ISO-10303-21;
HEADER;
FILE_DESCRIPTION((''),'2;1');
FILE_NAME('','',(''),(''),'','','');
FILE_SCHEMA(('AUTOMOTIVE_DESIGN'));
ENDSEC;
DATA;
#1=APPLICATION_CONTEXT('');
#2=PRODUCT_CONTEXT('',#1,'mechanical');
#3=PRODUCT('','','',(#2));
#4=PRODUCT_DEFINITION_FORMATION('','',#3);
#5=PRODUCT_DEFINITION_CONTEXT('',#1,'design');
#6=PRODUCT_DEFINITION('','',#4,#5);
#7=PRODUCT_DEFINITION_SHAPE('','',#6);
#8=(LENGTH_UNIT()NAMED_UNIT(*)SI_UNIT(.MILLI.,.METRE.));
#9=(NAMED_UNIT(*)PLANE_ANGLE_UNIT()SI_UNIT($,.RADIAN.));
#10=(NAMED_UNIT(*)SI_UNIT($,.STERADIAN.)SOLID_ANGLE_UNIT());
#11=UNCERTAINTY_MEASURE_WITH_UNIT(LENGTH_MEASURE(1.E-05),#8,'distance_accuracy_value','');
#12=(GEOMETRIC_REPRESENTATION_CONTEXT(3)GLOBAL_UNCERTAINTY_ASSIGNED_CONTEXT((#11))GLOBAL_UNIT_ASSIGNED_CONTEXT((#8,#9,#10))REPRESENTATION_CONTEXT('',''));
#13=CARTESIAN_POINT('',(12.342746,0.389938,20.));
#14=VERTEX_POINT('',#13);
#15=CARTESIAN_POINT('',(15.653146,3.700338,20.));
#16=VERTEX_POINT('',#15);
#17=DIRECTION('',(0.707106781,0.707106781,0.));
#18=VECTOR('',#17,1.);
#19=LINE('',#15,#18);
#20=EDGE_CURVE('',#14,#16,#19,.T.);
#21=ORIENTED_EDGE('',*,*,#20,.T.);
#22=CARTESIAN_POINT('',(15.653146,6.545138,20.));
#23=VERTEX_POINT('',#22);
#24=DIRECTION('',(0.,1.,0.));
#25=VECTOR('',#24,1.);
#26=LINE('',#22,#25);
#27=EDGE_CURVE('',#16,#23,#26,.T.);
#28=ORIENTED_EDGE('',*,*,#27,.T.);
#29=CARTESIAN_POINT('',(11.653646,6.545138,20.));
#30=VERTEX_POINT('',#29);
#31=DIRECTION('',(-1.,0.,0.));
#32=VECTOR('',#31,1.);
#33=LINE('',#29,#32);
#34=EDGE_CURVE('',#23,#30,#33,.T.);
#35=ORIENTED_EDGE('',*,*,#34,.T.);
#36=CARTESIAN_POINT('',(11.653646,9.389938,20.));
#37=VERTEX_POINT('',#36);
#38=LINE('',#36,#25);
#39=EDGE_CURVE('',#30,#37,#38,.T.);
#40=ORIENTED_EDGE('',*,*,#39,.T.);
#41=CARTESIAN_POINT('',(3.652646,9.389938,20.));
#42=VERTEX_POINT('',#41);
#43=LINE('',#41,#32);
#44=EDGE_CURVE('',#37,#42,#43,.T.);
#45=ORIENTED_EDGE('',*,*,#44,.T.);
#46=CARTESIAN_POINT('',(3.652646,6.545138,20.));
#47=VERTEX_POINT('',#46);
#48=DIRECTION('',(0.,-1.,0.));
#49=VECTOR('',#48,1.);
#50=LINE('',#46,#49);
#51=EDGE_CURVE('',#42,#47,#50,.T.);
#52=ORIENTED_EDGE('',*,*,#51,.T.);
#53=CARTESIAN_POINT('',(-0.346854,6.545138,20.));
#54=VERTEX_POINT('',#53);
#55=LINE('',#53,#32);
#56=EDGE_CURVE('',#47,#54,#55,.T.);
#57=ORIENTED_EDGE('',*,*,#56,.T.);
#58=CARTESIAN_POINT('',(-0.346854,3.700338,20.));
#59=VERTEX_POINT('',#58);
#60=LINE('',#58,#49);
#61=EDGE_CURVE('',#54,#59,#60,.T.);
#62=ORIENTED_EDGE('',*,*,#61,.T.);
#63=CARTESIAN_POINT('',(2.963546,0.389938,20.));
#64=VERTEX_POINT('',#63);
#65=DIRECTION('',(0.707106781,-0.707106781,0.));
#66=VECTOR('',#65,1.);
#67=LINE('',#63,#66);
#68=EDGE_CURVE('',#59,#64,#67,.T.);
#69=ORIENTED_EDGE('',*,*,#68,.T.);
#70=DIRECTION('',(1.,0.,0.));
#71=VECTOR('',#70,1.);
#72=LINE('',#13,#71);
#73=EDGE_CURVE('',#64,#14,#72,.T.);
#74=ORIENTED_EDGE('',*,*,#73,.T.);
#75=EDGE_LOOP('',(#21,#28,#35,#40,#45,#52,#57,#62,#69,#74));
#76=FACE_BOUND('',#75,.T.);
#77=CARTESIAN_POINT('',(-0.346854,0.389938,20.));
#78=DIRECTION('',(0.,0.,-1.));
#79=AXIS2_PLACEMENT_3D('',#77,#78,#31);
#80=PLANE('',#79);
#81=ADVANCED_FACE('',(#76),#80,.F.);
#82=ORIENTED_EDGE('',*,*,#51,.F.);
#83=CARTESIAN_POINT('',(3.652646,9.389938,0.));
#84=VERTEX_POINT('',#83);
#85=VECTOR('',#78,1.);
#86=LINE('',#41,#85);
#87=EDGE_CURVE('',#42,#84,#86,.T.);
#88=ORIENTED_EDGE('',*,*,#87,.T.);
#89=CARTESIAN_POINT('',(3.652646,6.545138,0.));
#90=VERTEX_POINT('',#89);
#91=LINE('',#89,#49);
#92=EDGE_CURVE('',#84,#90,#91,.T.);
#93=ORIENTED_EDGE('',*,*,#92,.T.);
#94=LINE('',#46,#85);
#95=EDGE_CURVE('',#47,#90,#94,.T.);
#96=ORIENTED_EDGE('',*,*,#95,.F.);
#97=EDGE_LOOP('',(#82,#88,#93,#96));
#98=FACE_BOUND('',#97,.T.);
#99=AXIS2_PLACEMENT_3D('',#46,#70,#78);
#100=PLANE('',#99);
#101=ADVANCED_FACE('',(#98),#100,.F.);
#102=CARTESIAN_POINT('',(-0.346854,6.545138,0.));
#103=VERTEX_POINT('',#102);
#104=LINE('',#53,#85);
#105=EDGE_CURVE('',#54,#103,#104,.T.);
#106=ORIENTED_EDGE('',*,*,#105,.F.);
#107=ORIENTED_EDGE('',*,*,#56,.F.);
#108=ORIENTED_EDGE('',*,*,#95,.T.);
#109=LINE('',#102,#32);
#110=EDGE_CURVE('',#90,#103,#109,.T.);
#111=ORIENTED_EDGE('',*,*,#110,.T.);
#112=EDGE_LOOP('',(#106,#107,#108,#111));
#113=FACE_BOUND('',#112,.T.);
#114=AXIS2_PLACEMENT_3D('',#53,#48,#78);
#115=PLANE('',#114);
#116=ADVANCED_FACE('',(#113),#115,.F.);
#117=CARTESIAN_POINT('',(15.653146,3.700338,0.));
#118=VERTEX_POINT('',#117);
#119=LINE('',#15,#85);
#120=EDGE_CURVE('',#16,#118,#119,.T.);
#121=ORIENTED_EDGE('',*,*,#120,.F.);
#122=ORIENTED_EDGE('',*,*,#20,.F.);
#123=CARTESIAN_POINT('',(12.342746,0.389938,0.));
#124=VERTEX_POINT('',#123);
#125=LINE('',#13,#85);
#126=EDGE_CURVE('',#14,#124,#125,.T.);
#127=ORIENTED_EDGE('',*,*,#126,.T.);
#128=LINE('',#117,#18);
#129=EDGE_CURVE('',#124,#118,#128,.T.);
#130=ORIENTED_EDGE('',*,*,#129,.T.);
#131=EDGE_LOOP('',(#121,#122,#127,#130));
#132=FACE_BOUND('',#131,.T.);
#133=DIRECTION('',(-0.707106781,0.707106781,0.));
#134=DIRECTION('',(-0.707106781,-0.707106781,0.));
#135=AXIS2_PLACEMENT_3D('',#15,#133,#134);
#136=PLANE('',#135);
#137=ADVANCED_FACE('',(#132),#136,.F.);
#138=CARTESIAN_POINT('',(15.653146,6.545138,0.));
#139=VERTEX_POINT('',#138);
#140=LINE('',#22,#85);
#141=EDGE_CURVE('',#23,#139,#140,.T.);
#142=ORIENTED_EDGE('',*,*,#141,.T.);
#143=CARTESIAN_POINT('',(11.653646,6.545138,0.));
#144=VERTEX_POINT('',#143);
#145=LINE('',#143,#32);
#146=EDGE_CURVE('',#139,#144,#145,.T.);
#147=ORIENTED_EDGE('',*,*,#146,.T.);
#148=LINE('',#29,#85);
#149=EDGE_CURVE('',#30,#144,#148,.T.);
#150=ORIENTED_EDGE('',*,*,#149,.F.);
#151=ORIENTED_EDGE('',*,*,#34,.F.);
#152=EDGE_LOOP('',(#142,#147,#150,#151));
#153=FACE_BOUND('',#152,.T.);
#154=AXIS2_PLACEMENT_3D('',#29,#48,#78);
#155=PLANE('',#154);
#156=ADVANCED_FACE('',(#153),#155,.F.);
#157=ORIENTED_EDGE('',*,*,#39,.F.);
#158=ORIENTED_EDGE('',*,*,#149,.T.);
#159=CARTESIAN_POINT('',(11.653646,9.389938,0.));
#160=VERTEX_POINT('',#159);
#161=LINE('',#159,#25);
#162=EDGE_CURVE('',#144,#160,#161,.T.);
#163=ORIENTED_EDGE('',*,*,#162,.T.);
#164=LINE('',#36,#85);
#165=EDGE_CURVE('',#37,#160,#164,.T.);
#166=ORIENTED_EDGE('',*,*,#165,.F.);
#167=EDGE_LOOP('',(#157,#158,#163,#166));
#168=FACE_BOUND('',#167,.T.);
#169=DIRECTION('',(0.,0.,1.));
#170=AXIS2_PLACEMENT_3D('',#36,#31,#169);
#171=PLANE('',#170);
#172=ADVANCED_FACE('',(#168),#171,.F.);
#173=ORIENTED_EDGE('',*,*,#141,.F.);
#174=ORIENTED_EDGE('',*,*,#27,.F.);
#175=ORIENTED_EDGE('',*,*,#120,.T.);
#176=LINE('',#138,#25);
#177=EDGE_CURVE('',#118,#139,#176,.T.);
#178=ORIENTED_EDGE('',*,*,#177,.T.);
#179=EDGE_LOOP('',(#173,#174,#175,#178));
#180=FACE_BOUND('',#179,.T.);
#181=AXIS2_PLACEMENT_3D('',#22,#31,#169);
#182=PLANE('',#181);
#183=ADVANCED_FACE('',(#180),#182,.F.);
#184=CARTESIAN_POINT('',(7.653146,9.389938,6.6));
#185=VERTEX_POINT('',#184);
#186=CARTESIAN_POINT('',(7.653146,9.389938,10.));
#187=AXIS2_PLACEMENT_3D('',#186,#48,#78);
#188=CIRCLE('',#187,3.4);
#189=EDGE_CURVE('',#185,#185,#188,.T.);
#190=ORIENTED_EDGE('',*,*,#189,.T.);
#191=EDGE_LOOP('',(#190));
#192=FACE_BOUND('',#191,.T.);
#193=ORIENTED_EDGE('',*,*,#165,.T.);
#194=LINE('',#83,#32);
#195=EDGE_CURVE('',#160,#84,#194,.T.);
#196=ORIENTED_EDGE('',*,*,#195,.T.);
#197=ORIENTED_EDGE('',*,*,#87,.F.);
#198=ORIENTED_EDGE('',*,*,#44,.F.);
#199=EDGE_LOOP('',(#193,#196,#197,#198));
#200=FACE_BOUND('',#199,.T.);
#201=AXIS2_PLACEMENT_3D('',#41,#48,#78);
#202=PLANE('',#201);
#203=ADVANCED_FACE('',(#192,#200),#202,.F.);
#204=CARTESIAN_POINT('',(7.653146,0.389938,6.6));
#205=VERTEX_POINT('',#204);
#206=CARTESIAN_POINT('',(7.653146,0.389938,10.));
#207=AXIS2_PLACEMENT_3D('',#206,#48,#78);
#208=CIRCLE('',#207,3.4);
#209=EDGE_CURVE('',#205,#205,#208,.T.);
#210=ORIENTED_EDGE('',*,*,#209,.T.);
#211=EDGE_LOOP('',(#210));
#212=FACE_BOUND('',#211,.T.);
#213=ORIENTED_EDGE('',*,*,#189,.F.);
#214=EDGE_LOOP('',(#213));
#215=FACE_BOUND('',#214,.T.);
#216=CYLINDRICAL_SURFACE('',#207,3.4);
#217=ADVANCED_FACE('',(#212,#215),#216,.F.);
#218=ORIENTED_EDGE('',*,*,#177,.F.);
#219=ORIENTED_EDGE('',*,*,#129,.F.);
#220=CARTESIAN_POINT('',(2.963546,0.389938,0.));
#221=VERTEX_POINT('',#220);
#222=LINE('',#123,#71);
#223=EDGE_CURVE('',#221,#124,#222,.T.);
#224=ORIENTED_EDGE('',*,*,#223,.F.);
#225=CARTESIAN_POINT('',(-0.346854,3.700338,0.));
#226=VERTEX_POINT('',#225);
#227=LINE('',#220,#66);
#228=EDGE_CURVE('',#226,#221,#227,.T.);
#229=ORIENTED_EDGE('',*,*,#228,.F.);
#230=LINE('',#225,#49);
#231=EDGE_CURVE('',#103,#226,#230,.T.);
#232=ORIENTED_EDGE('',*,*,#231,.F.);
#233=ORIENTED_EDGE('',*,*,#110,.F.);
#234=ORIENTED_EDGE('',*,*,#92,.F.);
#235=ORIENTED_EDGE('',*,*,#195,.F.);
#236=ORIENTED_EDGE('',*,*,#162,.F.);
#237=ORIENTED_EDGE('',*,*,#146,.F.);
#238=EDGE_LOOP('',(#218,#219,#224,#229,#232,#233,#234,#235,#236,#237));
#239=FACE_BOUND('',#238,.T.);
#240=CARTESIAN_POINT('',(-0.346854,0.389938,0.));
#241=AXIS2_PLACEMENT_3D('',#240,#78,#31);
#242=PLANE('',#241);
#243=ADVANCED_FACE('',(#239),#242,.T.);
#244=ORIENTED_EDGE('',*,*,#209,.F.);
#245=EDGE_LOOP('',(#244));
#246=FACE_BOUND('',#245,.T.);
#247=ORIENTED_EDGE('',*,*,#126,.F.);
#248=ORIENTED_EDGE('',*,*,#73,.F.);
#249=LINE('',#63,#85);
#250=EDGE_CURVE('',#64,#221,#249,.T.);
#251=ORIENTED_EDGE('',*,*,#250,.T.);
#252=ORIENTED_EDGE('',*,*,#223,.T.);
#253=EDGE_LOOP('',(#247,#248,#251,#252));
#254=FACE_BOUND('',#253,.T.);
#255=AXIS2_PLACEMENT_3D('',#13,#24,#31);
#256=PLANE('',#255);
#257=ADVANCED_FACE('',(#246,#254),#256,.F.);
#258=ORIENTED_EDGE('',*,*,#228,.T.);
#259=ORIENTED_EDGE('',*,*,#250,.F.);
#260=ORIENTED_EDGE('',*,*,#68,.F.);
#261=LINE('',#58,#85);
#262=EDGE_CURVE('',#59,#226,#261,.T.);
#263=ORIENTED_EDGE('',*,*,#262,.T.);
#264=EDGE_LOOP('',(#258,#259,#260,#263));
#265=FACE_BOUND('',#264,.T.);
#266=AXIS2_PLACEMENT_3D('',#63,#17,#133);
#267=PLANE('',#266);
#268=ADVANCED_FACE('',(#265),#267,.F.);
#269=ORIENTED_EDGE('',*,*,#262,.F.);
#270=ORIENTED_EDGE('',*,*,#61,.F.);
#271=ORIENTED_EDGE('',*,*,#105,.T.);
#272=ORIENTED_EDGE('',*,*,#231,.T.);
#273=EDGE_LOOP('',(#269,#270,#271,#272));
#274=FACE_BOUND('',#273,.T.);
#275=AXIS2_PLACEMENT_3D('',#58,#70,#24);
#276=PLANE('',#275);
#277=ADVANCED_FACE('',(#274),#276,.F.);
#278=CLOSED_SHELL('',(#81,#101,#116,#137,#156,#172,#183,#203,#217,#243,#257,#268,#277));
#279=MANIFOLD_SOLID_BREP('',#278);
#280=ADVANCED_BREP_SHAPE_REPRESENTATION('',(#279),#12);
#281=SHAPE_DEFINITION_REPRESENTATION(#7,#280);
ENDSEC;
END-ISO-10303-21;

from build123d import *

# Parameters (mm, degrees)
EXTRUSION1_DEPTH = 20
HOLE2_D          = 6.8


with BuildPart() as part:
    # Sketch1 → Extrusion1 (new body)
    with BuildSketch(Plane.XY):
        Polygon((2.963546137, 0.389938146), (-0.346853863, 3.700338146), (-0.346853863, 6.545138146), (3.652646137, 6.545138146), (3.652646137, 9.389938146), (11.653646137, 9.389938146), (11.653646137, 6.545138146), (15.653146137, 6.545138146), (15.653146137, 3.700338146), (12.342746137, 0.389938146), align=None)
    extrude(amount=EXTRUSION1_DEPTH)

    # Hole2 (through all)
    with Locations(Plane.XZ.offset(-0.389938146)):
        with Locations((7.653146137, 10)):
            Hole(HOLE2_D / 2)


solid = part.part
